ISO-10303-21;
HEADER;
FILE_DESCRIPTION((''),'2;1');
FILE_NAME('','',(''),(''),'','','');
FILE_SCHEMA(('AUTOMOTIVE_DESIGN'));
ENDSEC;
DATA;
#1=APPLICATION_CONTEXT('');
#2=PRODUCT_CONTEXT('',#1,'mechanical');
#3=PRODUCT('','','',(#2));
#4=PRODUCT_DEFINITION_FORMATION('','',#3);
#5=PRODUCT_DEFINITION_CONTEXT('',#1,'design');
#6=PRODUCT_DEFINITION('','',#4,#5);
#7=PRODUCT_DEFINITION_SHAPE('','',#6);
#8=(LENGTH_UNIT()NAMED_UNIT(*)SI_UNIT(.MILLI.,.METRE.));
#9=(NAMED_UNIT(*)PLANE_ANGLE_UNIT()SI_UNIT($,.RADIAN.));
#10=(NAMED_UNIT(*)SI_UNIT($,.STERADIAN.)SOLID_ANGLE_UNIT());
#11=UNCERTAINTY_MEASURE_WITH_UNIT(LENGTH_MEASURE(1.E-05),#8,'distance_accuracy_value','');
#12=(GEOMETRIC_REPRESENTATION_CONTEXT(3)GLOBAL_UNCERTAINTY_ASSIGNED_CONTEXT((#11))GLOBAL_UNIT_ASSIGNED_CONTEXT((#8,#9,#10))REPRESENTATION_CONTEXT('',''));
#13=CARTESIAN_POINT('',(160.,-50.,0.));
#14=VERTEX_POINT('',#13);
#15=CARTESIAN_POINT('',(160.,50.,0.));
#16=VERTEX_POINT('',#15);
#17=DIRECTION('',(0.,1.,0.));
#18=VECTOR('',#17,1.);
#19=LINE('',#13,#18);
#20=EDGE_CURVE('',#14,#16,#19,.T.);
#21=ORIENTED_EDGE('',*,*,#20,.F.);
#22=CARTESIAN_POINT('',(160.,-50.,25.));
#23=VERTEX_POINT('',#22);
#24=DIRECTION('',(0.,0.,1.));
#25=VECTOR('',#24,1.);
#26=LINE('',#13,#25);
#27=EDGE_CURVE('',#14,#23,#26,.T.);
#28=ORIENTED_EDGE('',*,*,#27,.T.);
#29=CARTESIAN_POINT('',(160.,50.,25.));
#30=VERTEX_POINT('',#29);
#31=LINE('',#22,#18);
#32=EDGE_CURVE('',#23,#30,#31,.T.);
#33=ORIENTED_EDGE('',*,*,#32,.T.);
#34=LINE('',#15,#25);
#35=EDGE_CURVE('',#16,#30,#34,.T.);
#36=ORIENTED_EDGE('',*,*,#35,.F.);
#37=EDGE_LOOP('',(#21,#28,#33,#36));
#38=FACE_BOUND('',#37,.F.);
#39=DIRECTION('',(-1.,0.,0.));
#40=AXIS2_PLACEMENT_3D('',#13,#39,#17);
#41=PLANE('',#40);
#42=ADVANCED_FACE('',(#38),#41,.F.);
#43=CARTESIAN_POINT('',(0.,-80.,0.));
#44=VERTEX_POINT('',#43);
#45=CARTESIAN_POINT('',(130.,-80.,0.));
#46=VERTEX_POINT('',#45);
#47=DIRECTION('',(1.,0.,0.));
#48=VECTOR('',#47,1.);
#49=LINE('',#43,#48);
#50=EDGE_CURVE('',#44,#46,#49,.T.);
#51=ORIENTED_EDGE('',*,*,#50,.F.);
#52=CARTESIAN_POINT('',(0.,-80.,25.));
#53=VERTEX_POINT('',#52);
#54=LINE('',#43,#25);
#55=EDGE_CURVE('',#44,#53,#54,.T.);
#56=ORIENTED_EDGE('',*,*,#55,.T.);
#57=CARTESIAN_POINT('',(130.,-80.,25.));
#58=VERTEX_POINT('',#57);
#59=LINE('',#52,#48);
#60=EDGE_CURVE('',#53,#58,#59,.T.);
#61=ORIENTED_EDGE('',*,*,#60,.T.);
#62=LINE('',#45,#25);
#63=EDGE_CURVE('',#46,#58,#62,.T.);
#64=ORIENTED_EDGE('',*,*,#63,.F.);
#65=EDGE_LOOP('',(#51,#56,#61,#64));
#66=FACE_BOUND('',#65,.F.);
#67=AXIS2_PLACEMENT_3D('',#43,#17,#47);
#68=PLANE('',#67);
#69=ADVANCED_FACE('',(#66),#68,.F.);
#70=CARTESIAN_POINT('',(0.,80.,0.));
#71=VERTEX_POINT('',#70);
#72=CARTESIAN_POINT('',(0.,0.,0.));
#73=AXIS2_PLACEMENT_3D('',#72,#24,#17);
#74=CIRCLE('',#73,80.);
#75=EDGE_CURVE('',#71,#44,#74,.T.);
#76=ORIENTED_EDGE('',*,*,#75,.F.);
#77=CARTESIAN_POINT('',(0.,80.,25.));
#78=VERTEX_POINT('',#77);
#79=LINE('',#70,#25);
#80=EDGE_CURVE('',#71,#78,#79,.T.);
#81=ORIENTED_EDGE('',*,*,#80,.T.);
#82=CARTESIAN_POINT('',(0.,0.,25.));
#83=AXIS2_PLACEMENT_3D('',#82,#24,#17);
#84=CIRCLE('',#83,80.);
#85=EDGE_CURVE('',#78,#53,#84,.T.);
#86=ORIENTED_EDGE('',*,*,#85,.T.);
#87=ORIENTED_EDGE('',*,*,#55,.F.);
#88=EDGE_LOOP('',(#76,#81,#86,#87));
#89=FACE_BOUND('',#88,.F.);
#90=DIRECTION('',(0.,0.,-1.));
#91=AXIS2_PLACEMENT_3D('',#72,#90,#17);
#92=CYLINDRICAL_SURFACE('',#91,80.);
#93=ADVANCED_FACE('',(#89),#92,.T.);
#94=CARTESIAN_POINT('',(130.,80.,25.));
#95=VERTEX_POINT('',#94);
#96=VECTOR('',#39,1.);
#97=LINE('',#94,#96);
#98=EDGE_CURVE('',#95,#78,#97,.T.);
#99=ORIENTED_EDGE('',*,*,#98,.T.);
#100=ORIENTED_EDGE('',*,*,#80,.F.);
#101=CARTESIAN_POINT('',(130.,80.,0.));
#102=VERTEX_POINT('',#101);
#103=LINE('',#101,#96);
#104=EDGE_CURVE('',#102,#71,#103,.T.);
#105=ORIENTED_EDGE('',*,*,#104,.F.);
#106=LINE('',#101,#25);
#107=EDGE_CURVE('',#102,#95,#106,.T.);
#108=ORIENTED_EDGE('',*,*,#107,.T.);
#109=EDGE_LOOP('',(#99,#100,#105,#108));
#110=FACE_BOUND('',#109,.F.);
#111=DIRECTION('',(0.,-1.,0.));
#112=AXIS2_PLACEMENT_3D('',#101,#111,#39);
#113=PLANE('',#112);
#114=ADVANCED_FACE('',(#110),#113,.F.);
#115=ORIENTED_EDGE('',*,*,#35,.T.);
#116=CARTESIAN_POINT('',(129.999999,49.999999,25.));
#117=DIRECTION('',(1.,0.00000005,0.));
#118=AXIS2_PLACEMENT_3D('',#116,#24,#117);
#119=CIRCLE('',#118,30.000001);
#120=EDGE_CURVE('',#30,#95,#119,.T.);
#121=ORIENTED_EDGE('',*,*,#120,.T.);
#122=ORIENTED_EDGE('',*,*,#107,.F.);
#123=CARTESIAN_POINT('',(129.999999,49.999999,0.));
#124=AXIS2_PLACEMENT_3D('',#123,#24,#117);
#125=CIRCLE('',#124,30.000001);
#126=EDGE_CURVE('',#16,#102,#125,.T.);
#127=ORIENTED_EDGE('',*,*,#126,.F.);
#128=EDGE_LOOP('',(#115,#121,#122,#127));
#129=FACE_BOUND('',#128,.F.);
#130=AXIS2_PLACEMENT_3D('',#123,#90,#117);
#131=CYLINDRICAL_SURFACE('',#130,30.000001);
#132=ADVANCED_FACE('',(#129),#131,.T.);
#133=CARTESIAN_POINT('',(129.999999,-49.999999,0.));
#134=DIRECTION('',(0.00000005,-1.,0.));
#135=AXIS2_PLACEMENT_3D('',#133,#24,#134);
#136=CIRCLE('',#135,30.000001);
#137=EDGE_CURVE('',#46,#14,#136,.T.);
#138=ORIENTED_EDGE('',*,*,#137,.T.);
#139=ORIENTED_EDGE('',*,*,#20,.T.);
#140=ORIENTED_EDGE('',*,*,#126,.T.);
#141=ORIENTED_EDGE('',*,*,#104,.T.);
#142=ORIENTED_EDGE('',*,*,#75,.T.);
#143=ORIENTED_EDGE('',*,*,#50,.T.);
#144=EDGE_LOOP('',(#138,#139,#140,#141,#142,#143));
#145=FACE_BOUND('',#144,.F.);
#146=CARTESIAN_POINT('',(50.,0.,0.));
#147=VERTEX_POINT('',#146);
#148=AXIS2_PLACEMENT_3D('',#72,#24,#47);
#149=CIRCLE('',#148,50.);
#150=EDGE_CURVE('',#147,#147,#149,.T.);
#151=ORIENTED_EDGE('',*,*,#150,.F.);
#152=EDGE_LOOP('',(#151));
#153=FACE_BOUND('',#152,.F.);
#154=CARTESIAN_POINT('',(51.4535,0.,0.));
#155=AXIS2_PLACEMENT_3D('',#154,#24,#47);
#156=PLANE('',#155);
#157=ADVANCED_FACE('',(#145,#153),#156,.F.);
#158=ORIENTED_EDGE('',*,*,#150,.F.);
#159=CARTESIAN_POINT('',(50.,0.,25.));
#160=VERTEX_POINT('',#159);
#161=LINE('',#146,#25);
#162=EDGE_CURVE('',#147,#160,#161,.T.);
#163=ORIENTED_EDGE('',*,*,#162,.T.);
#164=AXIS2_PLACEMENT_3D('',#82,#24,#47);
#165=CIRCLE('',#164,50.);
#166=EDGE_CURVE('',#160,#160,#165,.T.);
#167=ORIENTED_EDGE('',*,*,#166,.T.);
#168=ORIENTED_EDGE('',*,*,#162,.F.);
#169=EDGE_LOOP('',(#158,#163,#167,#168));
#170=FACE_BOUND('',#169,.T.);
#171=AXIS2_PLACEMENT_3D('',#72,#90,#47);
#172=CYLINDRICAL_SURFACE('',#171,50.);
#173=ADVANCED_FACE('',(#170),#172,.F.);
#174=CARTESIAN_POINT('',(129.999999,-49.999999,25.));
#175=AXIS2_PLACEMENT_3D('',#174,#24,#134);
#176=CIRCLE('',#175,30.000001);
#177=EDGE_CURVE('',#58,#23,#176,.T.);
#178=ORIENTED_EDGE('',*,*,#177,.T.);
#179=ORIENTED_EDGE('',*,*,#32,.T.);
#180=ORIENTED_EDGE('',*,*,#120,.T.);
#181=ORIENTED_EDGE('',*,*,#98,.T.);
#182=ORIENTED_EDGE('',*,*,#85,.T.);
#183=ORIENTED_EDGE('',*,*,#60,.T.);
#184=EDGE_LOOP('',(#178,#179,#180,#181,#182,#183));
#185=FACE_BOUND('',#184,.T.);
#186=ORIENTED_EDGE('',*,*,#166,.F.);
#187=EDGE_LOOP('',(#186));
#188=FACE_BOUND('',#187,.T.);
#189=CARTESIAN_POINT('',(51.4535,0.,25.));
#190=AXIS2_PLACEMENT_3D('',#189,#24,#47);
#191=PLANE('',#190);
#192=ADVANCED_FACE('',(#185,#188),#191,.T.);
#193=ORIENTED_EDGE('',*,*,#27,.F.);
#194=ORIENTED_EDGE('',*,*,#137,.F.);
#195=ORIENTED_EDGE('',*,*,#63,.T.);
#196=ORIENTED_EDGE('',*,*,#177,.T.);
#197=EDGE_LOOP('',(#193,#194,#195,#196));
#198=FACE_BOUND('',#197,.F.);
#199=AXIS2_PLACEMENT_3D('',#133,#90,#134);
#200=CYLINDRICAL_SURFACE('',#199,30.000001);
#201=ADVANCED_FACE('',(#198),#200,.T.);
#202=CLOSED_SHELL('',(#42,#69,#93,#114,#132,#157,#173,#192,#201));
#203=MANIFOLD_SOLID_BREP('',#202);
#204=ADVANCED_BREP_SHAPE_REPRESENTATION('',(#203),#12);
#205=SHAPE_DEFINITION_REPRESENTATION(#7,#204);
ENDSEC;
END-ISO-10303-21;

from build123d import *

# Parameters (mm, degrees)
F0_R     = 50
F1_DEPTH = 25


with BuildPart() as f1:
    # F0 (on Top) → F1 (new body)
    with BuildSketch(Plane.XY):
        with BuildLine():
            Line((130, 80), (0, 80))
            ThreePointArc((0, 80), (-80, 0), (0, -80))
            Line((0, -80), (130, -80))
            ThreePointArc((130, -80), (151.213203, -71.213203), (160, -50))
            Line((160, -50), (160, 50))
            ThreePointArc((160, 50), (151.213203, 71.213203), (130, 80))
        make_face()
        Circle(F0_R, mode=Mode.SUBTRACT)
    extrude(amount=F1_DEPTH)


solid = f1.part
